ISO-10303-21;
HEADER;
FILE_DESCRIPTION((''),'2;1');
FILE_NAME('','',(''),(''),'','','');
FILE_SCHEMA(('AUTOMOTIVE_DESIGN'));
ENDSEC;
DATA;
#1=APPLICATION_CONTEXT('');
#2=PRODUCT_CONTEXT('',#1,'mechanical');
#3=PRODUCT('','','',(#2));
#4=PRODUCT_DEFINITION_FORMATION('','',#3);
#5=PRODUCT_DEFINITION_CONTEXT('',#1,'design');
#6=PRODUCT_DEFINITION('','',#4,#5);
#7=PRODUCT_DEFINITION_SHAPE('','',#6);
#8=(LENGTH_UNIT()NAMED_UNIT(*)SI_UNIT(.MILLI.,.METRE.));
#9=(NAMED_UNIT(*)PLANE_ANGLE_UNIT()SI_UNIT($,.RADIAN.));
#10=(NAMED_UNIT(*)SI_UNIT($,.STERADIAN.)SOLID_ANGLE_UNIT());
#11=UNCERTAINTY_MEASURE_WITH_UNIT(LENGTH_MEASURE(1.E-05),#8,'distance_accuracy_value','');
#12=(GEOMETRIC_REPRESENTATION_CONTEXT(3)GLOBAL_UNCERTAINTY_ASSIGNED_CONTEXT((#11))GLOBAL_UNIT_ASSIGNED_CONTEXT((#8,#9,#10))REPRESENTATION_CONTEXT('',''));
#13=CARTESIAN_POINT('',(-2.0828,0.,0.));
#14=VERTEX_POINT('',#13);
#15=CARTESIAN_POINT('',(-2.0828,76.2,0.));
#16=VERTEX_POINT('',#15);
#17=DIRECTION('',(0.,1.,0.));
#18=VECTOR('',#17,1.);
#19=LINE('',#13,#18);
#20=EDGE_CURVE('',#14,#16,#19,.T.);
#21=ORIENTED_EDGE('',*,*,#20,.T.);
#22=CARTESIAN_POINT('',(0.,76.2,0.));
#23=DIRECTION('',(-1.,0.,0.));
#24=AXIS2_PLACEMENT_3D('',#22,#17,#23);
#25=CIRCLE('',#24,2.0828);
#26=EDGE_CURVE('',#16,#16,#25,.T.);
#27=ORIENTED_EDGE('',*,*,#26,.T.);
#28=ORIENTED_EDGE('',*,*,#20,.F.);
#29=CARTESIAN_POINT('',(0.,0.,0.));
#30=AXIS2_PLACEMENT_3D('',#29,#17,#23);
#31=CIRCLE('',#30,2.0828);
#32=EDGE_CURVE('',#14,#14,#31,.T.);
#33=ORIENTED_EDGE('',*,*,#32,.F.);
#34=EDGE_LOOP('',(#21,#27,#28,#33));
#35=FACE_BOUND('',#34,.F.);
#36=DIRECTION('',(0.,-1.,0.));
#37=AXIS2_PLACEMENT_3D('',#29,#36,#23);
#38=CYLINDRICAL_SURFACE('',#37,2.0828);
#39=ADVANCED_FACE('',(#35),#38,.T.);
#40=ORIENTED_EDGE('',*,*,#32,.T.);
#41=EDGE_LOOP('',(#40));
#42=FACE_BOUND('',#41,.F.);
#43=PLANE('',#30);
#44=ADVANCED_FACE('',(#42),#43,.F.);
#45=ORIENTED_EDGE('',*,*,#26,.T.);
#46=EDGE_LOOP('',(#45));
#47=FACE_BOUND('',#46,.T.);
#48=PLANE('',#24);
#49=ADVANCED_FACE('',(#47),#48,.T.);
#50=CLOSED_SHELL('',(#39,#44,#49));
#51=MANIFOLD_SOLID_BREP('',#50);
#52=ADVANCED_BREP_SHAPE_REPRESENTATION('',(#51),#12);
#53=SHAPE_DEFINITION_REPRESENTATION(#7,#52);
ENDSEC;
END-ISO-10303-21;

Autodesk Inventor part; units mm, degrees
ref_plane "YZ Plane" through (0, 0, 0) normal (1, 0, 0) x (0, 1, 0)
ref_plane "XZ Plane" through (0, 0, 0) normal (0, 1, 0) x (-1, 0, 0)
ref_plane "XY Plane" through (0, 0, 0) normal (0, 0, 1) x (1, 0, 0)
sketch "Sketch1" plane through (0, 0, 0) normal (0, 1, 0) x (-1, 0, 0)
  circle A0 centre (0, 0) radius 2.0828
  dimension "d0" = 4.1656
extrude "Extrusion1" add sketch "Sketch1" along normal blind 76.2
thread "Thread1" size "8-32 UNC" class "2A" standard "ANSI Unified Screw Threads" full length
properties part number "3in rod"
